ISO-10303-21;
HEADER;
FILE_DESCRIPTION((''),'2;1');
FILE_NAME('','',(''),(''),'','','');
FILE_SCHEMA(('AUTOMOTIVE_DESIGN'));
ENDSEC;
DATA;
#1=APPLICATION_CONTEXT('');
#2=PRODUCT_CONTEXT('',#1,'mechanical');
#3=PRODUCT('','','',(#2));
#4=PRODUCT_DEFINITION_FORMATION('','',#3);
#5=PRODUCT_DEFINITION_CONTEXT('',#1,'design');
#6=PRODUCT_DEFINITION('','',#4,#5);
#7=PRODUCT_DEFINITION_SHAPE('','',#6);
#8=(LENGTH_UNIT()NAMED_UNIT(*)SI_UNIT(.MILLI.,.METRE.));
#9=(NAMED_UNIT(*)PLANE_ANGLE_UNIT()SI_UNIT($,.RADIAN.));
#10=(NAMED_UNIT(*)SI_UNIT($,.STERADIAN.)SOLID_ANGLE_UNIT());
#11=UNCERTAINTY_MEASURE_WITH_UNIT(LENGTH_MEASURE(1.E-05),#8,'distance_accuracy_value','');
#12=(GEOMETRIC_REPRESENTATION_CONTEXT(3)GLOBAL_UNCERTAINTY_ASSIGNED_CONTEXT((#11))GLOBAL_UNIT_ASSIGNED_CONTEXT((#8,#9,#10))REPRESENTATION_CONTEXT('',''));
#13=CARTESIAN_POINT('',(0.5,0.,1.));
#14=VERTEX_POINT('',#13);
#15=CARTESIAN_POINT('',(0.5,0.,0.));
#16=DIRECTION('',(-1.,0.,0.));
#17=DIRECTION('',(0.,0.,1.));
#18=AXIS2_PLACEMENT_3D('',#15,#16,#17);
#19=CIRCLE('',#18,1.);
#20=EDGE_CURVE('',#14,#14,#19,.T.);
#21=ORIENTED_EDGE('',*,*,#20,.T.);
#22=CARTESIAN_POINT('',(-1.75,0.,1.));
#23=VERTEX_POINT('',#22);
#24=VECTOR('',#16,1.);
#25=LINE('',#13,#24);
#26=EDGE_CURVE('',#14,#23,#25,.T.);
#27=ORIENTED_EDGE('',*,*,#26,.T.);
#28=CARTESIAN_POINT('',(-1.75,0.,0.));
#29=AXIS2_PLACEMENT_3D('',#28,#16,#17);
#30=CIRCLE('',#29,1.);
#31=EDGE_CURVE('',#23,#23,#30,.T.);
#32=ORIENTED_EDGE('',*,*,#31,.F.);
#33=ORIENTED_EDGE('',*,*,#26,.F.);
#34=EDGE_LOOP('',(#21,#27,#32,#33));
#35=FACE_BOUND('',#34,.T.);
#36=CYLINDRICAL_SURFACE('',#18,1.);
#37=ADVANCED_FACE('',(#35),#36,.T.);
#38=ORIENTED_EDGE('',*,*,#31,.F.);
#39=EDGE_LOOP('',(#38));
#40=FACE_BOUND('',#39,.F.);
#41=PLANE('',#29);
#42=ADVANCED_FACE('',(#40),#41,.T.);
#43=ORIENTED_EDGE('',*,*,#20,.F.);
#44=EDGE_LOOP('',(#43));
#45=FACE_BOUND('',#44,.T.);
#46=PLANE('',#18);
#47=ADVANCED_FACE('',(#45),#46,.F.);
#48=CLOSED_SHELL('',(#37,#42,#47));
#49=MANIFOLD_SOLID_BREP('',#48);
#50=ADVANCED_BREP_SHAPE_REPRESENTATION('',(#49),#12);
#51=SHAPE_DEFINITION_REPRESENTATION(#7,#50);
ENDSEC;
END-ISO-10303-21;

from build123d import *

# Parameters (mm, degrees)
F0_W   = 1.25
F0_H   = 1
F0_W_2 = 0.5


with BuildPart() as f1:
    # F0 (on Front) → F1 (revolve)
    with BuildSketch(Plane.XZ):
        with Locations((-0.625, 0.5)):
            Rectangle(F0_W, F0_H)
        with Locations((-1.5, 0.5)):
            Rectangle(F0_W_2, F0_H)
        with Locations((0.25, 0.5)):
            Rectangle(F0_W_2, F0_H)
    revolve(axis=Axis((-0.625, 0, 0), (-1, 0, 0)))


solid = f1.part
